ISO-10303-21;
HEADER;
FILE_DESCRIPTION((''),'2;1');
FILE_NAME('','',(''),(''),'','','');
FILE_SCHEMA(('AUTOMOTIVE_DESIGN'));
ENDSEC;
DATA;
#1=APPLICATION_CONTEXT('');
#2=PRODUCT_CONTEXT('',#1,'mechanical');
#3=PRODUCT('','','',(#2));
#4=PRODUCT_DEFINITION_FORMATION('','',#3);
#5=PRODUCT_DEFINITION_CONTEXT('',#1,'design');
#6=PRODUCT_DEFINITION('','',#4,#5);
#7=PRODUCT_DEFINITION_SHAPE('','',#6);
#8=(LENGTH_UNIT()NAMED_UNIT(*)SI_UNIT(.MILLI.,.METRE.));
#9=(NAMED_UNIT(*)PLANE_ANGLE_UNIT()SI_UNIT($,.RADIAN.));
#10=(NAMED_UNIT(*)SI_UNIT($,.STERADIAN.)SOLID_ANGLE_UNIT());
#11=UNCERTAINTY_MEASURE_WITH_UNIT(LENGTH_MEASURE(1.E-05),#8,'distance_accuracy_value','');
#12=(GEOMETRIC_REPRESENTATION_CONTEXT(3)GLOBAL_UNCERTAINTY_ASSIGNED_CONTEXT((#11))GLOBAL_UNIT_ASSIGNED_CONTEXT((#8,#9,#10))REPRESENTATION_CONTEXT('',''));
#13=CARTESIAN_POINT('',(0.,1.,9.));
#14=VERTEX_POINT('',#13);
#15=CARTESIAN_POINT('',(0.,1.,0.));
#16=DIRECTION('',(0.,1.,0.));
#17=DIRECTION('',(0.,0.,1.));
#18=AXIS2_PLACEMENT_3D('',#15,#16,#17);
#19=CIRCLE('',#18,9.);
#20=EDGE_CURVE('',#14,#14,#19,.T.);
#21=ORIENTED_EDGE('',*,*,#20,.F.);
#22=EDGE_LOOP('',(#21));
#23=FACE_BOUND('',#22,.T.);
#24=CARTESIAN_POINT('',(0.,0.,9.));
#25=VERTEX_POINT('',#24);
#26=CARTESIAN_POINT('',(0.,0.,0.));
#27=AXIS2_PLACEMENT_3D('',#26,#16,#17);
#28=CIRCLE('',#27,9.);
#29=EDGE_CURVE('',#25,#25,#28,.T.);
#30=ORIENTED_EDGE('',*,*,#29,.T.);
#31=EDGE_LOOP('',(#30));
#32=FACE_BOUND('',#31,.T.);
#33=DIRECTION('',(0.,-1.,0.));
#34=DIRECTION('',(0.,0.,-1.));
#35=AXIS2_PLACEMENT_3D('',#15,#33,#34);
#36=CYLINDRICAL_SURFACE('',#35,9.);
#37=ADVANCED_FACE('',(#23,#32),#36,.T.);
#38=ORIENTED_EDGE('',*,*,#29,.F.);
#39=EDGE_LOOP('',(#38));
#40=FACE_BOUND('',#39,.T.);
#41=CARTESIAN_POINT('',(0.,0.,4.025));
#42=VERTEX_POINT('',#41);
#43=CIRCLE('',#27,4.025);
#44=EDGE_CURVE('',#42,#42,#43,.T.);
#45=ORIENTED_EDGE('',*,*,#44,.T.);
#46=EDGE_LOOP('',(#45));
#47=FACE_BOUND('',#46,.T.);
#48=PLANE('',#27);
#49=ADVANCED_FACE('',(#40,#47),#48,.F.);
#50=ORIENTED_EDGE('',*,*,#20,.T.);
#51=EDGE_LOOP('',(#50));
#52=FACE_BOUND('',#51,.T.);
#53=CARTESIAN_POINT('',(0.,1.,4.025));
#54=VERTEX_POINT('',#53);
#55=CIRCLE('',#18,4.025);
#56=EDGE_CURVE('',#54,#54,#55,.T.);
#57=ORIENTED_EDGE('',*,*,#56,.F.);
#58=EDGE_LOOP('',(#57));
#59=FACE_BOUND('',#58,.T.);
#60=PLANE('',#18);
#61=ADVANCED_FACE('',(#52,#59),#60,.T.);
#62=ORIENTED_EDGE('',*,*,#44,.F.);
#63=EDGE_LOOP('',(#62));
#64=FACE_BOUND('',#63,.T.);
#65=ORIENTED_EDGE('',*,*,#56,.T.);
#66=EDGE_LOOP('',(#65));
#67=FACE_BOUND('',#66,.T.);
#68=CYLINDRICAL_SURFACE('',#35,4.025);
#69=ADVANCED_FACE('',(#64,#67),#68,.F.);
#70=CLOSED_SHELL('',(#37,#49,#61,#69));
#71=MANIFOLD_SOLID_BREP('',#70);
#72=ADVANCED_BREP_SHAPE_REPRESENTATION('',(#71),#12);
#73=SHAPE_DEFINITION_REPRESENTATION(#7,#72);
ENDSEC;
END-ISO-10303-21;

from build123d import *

# Parameters (mm, degrees)
SKETCH1_R           = 9
SKETCH1_R_2         = 4.025
BOSS_EXTRUDE1_DEPTH = 1


with BuildPart() as part:
    # Sketch1 → Boss-Extrude1 (new body)
    with BuildSketch(Plane(origin=(0, 0, 0), x_dir=(1, 0, 0), z_dir=(0, 1, 0))):
        Circle(SKETCH1_R)
        Circle(SKETCH1_R_2, mode=Mode.SUBTRACT)
    extrude(amount=BOSS_EXTRUDE1_DEPTH)


solid = part.part
